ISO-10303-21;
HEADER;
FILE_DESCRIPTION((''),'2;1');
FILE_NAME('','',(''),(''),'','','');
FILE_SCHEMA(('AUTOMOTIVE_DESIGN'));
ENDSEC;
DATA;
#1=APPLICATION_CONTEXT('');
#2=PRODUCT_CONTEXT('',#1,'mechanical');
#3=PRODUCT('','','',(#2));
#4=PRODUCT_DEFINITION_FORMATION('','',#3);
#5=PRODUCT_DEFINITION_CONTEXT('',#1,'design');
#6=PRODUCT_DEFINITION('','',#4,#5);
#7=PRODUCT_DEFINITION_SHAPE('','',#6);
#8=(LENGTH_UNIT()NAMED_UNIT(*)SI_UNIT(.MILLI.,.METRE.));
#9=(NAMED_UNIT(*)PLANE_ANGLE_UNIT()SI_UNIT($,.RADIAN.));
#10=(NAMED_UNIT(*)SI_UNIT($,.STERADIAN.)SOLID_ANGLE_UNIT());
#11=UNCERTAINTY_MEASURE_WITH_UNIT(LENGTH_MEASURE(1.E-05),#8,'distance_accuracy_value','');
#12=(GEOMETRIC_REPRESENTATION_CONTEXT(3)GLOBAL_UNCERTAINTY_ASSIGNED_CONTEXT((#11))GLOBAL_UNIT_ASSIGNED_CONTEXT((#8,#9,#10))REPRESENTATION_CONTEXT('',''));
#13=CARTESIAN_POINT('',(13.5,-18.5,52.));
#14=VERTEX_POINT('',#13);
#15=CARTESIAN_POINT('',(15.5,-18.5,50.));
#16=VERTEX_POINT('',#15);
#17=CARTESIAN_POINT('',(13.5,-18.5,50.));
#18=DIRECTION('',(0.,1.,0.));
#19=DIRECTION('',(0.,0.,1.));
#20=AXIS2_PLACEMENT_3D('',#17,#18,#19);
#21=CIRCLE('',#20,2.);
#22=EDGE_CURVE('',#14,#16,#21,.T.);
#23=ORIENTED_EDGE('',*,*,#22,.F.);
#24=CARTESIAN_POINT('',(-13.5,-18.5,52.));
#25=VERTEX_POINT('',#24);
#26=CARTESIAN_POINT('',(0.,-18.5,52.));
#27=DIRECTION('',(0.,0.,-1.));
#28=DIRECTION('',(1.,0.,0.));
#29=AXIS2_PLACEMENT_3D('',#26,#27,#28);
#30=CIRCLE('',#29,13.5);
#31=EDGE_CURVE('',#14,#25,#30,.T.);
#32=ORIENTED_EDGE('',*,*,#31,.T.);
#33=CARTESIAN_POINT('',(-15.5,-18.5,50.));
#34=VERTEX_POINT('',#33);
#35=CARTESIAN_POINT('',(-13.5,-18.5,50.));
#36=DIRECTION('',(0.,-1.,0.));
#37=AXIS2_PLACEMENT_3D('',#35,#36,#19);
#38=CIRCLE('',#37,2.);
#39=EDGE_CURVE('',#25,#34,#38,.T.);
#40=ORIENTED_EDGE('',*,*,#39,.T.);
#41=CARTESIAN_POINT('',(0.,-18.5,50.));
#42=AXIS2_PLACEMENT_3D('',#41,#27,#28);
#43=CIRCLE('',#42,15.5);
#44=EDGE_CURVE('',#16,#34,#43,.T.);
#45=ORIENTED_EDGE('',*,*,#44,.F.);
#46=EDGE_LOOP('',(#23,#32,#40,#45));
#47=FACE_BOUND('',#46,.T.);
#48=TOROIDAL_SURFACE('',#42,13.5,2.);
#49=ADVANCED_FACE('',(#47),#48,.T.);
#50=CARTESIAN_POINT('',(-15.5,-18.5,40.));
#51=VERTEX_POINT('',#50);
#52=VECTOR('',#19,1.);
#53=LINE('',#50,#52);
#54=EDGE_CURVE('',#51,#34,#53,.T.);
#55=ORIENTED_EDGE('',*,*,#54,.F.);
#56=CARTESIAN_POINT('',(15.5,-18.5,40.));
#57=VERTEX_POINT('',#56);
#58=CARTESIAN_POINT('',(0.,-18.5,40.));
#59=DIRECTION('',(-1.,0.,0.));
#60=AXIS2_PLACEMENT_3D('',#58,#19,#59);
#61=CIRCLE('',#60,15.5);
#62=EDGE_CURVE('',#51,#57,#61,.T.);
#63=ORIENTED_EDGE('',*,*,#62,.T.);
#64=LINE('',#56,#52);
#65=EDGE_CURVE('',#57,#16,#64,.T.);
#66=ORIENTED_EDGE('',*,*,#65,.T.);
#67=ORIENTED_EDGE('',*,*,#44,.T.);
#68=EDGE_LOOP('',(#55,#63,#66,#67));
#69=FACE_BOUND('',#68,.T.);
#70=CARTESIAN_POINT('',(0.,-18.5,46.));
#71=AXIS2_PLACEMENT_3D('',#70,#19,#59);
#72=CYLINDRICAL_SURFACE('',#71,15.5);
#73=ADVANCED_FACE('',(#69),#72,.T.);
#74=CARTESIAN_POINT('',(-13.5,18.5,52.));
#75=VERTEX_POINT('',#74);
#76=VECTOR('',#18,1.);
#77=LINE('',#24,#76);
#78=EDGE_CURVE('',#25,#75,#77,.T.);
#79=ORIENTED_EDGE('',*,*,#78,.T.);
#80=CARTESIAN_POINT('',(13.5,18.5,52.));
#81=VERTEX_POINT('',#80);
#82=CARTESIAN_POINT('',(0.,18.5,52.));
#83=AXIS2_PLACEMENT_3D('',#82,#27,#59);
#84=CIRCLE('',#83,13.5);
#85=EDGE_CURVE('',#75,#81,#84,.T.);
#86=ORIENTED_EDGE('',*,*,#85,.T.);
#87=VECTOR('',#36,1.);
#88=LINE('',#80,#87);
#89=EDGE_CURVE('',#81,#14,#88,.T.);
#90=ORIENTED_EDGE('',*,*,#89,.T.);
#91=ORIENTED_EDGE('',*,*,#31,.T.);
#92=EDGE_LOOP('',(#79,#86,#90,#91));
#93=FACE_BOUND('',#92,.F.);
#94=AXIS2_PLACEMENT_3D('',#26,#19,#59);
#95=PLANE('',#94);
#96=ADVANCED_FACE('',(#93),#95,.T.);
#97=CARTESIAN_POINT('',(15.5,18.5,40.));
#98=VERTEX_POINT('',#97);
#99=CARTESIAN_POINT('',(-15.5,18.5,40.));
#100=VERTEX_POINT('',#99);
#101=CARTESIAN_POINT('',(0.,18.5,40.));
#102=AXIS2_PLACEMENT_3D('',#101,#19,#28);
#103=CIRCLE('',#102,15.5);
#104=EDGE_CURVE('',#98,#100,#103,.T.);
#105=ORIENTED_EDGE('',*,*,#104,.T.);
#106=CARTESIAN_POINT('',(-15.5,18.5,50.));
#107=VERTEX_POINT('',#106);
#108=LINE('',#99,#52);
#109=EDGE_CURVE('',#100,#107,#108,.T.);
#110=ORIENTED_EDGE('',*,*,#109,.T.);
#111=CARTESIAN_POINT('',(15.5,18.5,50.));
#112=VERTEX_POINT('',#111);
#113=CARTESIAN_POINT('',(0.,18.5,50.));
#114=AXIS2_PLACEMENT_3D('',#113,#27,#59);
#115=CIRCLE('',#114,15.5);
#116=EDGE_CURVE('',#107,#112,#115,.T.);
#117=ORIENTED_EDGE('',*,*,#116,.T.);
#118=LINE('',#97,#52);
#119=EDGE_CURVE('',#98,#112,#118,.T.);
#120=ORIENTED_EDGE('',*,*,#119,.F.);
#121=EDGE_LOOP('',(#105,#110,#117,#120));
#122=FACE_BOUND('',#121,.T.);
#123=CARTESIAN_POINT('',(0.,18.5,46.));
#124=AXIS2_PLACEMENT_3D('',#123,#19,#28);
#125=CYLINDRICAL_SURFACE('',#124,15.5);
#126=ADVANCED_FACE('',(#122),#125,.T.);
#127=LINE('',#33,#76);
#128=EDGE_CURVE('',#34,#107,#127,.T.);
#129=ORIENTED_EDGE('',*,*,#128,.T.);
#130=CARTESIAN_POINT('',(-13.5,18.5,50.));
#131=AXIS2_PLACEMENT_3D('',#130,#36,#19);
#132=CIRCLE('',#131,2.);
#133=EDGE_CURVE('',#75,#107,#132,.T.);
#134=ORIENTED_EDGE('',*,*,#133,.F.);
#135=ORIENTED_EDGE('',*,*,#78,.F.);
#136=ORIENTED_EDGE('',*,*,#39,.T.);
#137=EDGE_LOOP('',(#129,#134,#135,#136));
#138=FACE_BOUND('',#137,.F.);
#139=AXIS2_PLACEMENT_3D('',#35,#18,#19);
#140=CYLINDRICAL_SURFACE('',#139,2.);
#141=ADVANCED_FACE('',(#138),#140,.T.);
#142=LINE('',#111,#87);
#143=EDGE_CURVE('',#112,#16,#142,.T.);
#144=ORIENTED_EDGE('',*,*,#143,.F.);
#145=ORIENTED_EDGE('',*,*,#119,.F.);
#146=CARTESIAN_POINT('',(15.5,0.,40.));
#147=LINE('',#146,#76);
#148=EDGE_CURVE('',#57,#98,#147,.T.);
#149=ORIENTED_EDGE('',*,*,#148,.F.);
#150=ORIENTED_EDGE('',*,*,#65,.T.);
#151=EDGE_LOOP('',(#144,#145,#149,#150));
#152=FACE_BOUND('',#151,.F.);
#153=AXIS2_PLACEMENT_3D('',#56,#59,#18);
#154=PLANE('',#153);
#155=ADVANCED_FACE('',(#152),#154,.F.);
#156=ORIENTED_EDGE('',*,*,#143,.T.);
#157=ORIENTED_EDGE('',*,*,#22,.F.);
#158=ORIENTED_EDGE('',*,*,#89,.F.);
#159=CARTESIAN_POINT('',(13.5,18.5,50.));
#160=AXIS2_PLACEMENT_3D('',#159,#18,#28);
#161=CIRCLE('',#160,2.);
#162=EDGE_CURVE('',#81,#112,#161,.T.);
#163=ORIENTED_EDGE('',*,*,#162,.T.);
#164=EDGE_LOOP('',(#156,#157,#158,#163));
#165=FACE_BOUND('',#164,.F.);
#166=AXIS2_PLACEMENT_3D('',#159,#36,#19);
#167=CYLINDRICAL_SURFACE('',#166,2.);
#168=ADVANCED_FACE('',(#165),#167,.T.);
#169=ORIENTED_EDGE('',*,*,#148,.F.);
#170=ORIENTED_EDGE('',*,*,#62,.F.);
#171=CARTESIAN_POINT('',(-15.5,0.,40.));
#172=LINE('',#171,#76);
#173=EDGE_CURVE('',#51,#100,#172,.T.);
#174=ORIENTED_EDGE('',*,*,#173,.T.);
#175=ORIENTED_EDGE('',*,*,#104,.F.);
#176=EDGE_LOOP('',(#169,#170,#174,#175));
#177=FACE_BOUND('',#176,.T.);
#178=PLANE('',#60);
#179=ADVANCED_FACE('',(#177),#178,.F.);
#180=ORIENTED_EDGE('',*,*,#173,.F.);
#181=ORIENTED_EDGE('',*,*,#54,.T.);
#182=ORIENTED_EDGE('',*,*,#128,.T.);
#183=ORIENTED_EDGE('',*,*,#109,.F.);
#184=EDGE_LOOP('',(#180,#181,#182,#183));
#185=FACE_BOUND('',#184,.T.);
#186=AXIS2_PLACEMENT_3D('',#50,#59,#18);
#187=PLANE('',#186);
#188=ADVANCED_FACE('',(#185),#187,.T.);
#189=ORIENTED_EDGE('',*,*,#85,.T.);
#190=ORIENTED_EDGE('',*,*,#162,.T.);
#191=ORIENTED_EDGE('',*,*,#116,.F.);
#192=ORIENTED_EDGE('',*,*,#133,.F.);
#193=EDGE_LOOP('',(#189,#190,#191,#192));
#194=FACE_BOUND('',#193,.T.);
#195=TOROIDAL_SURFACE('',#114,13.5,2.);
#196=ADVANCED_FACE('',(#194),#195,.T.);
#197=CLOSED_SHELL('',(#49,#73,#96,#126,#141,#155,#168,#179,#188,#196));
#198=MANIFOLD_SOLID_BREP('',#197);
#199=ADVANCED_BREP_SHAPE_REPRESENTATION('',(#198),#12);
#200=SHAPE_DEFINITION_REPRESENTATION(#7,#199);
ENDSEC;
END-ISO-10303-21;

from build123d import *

# Parameters (mm, degrees)
CYLINDER_W        = 15.5
CYLINDER_H        = 12
CYLINDER_ANGLE    = 180
CYLINDER001_W     = 15.5
CYLINDER001_H     = 12
CYLINDER001_ANGLE = 180
BOX_W             = 31
BOX_H             = 37
BOX_DEPTH         = 12
FILLET_R          = 2


with BuildPart() as grrund:
    # Cylinder → Cylinder (revolve)
    with BuildSketch(Plane.XZ.offset(-18.5)):
        with Locations((7.75, 6)):
            Rectangle(CYLINDER_W, CYLINDER_H)
    revolve(axis=Axis((0, 18.5, 0), (0, 0, 1)), revolution_arc=CYLINDER_ANGLE)


with BuildPart() as grrund2:
    # Cylinder001 → Cylinder001 (revolve)
    with BuildSketch(Plane(origin=(0, -18.5, 0), x_dir=(-1, 0, 0), z_dir=(0, 1, 0))):
        with Locations((7.75, 6)):
            Rectangle(CYLINDER001_W, CYLINDER001_H)
    revolve(axis=Axis((0, -18.5, 0), (0, 0, 1)), revolution_arc=CYLINDER001_ANGLE)


with BuildPart() as griffr:
    # Box → Box (new body)
    with BuildSketch(Plane(origin=(-15.5, -18.5, 0), x_dir=(1, 0, 0), z_dir=(0, 0, 1))):
        with Locations((15.5, 18.5)):
            Rectangle(BOX_W, BOX_H)
    extrude(amount=BOX_DEPTH)

    # Fusion: union GrRund, GrRund2
    add(grrund.part)
    add(grrund2.part)

    # Fillet
    fillet_edges = [griffr.edges().sort_by_distance(p)[0] for p in [
        (-15.5, 0, 12),
    ]]
    fillet(fillet_edges, radius=FILLET_R)


with BuildPart() as griffr_1:
    # Fillet placement: moved
    add(griffr.part.moved(Location((0, 0, 40))))


solid = griffr_1.part
